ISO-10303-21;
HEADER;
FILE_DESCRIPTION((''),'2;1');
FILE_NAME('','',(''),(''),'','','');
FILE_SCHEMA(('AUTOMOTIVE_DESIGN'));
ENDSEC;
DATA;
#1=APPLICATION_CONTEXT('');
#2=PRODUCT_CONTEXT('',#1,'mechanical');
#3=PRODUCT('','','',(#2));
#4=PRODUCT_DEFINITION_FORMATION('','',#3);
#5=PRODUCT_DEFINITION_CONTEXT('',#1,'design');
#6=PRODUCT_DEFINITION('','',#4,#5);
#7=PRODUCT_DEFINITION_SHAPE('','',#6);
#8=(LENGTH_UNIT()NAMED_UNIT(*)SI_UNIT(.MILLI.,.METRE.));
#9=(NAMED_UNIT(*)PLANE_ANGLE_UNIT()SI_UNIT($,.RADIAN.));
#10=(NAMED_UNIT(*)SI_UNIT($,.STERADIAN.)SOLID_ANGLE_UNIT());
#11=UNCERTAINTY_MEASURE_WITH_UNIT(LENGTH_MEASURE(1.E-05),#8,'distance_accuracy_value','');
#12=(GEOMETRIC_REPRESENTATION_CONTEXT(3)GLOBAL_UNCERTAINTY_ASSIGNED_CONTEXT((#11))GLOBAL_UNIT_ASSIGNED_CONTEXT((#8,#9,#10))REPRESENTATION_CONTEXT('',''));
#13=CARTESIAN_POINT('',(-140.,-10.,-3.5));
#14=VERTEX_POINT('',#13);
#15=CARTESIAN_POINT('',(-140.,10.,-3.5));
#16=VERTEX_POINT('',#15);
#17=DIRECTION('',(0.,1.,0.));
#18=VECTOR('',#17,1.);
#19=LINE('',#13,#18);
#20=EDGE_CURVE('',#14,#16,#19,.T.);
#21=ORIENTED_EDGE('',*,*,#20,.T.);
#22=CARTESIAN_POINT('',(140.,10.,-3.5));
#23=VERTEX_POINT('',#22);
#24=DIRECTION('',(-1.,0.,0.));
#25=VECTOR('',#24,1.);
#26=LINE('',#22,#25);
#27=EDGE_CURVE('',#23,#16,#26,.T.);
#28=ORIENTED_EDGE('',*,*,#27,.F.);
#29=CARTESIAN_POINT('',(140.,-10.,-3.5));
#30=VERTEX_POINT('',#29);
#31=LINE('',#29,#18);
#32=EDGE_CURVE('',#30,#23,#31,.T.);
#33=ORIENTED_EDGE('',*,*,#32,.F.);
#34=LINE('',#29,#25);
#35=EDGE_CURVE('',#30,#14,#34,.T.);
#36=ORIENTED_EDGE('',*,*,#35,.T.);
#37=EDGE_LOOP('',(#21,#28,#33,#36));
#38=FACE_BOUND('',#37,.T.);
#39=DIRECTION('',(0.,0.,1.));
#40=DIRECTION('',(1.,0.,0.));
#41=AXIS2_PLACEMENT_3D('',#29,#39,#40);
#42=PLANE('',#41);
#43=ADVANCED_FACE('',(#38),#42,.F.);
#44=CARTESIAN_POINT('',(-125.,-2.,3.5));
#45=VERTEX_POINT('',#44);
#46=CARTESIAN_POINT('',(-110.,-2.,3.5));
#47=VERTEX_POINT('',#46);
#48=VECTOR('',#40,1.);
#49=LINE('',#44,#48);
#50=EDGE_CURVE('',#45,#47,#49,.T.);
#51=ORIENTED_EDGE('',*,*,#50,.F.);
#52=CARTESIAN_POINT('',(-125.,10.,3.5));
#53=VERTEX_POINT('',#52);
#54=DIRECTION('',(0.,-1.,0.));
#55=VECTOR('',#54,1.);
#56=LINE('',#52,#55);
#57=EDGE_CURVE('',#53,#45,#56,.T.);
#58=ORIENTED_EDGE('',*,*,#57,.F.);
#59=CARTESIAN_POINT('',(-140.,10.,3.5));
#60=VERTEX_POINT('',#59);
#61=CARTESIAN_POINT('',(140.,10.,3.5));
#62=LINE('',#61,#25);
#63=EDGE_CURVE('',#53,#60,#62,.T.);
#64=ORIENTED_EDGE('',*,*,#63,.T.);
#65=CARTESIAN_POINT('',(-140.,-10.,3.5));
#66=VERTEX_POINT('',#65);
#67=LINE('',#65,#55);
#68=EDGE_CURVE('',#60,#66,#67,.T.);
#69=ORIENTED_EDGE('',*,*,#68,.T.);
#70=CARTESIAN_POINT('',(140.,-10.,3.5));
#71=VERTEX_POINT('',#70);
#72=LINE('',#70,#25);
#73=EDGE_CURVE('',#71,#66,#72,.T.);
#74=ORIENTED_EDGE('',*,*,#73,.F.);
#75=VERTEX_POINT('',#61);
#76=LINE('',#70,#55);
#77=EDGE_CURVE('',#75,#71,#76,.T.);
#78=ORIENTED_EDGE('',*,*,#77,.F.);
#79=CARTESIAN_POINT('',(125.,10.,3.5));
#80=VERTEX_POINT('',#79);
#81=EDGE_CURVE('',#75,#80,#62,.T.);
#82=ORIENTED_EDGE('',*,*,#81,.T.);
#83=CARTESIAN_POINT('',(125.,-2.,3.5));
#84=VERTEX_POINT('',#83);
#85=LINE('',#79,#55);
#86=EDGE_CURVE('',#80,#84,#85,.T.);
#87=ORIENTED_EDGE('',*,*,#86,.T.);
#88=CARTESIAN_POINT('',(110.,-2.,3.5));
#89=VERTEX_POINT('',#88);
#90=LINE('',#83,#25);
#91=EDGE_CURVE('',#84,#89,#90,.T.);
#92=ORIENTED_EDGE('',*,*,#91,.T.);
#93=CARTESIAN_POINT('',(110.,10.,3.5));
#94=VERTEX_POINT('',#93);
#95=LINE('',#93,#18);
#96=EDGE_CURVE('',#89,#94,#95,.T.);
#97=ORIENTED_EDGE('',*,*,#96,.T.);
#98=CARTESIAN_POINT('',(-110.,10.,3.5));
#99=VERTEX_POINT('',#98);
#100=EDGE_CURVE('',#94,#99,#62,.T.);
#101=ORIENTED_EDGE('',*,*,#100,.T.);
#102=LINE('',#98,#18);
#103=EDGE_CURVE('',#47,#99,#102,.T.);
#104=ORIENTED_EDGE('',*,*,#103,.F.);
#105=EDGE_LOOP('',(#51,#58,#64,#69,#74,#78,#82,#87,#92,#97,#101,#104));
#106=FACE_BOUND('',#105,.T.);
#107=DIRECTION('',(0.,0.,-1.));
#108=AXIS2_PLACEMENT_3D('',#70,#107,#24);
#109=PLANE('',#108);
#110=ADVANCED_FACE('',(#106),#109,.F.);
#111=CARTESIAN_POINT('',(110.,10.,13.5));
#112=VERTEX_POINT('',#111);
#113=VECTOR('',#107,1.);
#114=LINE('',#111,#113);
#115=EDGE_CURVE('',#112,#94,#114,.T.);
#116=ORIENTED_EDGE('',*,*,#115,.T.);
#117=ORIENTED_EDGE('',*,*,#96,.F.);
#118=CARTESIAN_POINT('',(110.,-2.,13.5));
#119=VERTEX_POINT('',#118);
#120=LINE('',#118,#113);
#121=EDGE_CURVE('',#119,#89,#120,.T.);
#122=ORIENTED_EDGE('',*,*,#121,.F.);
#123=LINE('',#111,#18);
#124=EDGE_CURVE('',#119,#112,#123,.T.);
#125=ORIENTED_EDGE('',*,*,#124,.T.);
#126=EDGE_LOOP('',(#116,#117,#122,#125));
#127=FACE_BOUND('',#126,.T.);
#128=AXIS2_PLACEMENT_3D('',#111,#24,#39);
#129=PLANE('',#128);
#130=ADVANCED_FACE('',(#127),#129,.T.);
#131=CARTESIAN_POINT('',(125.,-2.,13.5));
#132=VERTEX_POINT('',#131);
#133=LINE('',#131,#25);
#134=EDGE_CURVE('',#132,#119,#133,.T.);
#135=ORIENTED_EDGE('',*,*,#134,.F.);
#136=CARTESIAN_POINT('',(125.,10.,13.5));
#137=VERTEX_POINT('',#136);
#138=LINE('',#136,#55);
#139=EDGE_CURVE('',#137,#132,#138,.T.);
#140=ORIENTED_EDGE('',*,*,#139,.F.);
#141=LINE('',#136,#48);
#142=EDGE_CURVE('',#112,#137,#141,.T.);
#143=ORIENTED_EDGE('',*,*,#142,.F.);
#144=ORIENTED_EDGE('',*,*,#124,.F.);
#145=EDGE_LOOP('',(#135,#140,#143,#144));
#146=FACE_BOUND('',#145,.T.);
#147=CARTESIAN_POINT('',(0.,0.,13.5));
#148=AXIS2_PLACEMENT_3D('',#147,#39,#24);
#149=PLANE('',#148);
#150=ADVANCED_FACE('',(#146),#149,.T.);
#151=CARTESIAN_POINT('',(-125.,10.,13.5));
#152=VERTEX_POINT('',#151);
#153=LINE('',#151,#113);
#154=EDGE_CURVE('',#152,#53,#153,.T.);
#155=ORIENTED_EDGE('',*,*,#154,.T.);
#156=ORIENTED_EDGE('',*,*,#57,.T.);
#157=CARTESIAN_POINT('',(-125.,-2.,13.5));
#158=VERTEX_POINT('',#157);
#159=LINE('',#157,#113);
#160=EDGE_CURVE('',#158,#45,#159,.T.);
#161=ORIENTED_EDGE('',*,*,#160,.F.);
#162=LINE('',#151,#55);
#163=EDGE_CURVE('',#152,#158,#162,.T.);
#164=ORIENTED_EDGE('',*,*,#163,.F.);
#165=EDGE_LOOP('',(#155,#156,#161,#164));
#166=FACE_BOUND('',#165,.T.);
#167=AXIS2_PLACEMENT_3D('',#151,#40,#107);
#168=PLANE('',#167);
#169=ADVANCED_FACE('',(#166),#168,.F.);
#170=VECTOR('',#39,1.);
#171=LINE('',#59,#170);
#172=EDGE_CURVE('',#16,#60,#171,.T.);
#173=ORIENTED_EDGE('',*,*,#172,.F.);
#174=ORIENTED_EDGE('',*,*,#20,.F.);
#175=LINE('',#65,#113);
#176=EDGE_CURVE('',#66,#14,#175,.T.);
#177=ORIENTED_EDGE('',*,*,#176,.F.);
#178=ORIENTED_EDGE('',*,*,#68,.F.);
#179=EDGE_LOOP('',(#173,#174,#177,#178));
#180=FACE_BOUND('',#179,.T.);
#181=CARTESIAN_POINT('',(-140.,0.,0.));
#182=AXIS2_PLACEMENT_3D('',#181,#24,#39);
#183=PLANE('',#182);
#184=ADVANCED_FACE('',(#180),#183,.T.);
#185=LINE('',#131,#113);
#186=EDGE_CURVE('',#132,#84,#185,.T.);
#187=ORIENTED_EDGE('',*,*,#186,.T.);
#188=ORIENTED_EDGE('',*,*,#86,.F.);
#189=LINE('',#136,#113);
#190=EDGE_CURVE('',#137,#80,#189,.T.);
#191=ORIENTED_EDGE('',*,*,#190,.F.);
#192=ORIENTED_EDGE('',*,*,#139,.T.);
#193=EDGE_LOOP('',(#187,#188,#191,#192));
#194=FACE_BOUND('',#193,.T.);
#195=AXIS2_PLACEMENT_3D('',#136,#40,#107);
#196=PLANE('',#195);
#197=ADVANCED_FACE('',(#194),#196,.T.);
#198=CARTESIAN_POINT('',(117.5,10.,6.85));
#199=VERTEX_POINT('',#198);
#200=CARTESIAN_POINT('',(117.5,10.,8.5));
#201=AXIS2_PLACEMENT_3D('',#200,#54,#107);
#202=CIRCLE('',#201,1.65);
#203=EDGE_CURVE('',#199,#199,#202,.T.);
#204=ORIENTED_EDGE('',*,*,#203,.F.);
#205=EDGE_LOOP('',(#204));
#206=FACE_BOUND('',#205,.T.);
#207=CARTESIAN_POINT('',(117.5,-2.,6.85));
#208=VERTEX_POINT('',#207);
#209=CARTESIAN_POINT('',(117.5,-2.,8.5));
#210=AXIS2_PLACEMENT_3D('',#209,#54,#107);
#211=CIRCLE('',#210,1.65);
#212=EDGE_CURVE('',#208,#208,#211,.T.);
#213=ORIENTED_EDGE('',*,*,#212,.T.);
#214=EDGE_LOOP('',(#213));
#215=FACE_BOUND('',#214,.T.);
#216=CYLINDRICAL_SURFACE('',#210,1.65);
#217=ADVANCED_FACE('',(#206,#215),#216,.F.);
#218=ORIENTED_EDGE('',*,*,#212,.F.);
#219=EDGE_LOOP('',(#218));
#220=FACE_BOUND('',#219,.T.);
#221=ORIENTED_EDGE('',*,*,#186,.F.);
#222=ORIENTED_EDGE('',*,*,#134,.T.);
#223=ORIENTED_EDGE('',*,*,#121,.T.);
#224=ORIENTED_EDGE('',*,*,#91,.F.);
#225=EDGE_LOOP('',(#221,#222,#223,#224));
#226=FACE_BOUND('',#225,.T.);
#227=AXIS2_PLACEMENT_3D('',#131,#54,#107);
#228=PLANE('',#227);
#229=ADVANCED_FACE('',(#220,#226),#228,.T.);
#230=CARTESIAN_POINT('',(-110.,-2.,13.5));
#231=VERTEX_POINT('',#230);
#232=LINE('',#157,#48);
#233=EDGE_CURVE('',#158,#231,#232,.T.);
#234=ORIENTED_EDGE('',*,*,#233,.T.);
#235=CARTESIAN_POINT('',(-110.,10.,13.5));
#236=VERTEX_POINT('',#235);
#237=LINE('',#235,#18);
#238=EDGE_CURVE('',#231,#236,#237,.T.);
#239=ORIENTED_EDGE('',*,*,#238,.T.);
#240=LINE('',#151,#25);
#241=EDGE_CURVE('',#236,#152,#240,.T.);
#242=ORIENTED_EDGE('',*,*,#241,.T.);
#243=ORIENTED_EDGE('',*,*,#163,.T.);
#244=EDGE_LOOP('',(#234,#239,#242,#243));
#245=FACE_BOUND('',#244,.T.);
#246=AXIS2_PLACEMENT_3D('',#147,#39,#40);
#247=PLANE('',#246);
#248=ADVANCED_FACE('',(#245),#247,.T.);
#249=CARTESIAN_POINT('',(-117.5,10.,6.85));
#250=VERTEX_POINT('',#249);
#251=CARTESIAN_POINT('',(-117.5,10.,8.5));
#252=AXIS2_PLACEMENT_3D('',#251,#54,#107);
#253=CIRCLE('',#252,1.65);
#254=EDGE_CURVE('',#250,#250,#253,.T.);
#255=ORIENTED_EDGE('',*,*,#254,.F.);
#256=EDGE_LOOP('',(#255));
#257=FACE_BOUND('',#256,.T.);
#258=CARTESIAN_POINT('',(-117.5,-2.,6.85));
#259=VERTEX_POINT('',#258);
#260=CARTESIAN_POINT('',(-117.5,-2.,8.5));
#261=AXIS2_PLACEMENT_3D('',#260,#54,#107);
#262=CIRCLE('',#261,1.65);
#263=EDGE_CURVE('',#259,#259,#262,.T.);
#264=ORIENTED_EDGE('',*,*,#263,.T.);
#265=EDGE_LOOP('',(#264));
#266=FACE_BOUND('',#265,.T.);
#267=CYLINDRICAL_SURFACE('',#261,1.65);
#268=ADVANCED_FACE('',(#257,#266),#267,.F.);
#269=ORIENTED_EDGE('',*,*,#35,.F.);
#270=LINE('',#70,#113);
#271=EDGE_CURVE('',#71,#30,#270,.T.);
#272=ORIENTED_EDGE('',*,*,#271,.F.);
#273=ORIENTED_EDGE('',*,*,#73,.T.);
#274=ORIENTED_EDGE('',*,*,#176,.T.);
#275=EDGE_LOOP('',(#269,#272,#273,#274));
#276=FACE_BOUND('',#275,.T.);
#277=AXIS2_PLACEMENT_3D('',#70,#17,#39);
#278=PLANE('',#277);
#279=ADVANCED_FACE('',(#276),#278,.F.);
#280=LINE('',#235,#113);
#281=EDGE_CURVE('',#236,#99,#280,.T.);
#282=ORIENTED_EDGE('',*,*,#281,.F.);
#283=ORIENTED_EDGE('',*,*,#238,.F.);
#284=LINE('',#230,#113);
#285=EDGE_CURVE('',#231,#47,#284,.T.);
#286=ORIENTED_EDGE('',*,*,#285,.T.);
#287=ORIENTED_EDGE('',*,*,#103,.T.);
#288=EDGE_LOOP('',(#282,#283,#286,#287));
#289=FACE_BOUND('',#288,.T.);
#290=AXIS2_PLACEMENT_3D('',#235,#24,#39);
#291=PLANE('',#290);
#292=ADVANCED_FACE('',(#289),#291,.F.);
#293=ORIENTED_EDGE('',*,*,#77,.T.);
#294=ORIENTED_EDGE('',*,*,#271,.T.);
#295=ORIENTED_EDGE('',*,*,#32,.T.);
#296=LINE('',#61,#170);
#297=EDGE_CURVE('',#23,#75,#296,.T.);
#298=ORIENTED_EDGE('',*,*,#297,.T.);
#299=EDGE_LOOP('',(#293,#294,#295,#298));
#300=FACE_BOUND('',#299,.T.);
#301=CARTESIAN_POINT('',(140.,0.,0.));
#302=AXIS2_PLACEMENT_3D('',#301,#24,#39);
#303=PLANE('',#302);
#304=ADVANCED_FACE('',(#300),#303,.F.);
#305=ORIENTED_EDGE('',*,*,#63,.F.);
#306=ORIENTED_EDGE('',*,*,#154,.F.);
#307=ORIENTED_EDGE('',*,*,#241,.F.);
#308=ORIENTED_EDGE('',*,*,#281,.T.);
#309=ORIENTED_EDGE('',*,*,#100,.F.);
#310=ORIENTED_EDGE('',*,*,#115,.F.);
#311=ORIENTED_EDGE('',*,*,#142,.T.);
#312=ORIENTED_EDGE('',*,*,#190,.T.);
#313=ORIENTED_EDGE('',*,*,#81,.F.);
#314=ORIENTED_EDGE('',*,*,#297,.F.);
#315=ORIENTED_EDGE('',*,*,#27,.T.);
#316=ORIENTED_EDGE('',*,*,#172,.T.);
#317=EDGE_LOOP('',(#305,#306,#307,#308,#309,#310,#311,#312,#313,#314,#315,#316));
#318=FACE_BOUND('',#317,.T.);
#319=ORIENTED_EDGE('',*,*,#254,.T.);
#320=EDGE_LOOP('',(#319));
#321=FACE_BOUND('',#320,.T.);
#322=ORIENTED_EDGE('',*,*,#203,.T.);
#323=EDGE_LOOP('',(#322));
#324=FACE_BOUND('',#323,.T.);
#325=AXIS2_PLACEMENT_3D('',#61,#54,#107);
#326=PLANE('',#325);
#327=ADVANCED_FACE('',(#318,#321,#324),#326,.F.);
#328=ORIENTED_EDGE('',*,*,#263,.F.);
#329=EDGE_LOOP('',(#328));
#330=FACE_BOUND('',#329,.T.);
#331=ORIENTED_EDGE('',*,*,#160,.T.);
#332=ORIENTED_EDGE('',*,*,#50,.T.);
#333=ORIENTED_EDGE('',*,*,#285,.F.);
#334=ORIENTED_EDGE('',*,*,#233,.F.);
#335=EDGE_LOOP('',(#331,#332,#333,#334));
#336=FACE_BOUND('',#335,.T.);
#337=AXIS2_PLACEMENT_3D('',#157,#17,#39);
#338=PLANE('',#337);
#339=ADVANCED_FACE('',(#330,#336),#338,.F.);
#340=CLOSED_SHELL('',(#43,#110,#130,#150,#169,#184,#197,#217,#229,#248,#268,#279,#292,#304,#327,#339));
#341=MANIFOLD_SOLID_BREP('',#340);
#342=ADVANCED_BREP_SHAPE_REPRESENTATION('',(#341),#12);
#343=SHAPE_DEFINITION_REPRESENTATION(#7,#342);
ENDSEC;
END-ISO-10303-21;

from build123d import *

# Parameters (mm, degrees)
SKETCH_1_W         = 7
SKETCH_1_H         = 20
EXTRUDE_1_DEPTH    = 140
SKETCH_2_W         = 15
SKETCH_2_H         = 12
EXTRUDE_2_DEPTH    = 10
HOLE_WIZARD_M4_1_D = 3.3


with BuildPart() as part:
    # 草图1 → 凸台-拉伸1 (new, symmetric)
    with BuildSketch(Plane(origin=(0, 0, 0), x_dir=(0, 0, -1), z_dir=(1, 0, 0))):
        Rectangle(SKETCH_1_W, SKETCH_1_H)
    extrude(amount=EXTRUDE_1_DEPTH, both=True)

    # 草图2 → 凸台-拉伸2 (add)
    with BuildSketch(Plane.XY.offset(3.5)):
        with Locations((-117.5, 4)):
            Rectangle(SKETCH_2_W, SKETCH_2_H)
    extrude_2 = extrude(amount=EXTRUDE_2_DEPTH)

    # 镜向1: 凸台-拉伸2 across plane
    add(extrude_2.mirror(Plane(origin=(0, 0, 0), x_dir=(0, 0, 1), z_dir=(1, 0, 0))))

    # M4 螺纹孔1 (through all)
    with Locations(Plane(origin=(0, -2, 0), x_dir=(-1, 0, 0), z_dir=(0, -1, 0))):
        with Locations((-117.5, -8.5), (117.5, -8.5)):
            Hole(HOLE_WIZARD_M4_1_D / 2)


solid = part.part
